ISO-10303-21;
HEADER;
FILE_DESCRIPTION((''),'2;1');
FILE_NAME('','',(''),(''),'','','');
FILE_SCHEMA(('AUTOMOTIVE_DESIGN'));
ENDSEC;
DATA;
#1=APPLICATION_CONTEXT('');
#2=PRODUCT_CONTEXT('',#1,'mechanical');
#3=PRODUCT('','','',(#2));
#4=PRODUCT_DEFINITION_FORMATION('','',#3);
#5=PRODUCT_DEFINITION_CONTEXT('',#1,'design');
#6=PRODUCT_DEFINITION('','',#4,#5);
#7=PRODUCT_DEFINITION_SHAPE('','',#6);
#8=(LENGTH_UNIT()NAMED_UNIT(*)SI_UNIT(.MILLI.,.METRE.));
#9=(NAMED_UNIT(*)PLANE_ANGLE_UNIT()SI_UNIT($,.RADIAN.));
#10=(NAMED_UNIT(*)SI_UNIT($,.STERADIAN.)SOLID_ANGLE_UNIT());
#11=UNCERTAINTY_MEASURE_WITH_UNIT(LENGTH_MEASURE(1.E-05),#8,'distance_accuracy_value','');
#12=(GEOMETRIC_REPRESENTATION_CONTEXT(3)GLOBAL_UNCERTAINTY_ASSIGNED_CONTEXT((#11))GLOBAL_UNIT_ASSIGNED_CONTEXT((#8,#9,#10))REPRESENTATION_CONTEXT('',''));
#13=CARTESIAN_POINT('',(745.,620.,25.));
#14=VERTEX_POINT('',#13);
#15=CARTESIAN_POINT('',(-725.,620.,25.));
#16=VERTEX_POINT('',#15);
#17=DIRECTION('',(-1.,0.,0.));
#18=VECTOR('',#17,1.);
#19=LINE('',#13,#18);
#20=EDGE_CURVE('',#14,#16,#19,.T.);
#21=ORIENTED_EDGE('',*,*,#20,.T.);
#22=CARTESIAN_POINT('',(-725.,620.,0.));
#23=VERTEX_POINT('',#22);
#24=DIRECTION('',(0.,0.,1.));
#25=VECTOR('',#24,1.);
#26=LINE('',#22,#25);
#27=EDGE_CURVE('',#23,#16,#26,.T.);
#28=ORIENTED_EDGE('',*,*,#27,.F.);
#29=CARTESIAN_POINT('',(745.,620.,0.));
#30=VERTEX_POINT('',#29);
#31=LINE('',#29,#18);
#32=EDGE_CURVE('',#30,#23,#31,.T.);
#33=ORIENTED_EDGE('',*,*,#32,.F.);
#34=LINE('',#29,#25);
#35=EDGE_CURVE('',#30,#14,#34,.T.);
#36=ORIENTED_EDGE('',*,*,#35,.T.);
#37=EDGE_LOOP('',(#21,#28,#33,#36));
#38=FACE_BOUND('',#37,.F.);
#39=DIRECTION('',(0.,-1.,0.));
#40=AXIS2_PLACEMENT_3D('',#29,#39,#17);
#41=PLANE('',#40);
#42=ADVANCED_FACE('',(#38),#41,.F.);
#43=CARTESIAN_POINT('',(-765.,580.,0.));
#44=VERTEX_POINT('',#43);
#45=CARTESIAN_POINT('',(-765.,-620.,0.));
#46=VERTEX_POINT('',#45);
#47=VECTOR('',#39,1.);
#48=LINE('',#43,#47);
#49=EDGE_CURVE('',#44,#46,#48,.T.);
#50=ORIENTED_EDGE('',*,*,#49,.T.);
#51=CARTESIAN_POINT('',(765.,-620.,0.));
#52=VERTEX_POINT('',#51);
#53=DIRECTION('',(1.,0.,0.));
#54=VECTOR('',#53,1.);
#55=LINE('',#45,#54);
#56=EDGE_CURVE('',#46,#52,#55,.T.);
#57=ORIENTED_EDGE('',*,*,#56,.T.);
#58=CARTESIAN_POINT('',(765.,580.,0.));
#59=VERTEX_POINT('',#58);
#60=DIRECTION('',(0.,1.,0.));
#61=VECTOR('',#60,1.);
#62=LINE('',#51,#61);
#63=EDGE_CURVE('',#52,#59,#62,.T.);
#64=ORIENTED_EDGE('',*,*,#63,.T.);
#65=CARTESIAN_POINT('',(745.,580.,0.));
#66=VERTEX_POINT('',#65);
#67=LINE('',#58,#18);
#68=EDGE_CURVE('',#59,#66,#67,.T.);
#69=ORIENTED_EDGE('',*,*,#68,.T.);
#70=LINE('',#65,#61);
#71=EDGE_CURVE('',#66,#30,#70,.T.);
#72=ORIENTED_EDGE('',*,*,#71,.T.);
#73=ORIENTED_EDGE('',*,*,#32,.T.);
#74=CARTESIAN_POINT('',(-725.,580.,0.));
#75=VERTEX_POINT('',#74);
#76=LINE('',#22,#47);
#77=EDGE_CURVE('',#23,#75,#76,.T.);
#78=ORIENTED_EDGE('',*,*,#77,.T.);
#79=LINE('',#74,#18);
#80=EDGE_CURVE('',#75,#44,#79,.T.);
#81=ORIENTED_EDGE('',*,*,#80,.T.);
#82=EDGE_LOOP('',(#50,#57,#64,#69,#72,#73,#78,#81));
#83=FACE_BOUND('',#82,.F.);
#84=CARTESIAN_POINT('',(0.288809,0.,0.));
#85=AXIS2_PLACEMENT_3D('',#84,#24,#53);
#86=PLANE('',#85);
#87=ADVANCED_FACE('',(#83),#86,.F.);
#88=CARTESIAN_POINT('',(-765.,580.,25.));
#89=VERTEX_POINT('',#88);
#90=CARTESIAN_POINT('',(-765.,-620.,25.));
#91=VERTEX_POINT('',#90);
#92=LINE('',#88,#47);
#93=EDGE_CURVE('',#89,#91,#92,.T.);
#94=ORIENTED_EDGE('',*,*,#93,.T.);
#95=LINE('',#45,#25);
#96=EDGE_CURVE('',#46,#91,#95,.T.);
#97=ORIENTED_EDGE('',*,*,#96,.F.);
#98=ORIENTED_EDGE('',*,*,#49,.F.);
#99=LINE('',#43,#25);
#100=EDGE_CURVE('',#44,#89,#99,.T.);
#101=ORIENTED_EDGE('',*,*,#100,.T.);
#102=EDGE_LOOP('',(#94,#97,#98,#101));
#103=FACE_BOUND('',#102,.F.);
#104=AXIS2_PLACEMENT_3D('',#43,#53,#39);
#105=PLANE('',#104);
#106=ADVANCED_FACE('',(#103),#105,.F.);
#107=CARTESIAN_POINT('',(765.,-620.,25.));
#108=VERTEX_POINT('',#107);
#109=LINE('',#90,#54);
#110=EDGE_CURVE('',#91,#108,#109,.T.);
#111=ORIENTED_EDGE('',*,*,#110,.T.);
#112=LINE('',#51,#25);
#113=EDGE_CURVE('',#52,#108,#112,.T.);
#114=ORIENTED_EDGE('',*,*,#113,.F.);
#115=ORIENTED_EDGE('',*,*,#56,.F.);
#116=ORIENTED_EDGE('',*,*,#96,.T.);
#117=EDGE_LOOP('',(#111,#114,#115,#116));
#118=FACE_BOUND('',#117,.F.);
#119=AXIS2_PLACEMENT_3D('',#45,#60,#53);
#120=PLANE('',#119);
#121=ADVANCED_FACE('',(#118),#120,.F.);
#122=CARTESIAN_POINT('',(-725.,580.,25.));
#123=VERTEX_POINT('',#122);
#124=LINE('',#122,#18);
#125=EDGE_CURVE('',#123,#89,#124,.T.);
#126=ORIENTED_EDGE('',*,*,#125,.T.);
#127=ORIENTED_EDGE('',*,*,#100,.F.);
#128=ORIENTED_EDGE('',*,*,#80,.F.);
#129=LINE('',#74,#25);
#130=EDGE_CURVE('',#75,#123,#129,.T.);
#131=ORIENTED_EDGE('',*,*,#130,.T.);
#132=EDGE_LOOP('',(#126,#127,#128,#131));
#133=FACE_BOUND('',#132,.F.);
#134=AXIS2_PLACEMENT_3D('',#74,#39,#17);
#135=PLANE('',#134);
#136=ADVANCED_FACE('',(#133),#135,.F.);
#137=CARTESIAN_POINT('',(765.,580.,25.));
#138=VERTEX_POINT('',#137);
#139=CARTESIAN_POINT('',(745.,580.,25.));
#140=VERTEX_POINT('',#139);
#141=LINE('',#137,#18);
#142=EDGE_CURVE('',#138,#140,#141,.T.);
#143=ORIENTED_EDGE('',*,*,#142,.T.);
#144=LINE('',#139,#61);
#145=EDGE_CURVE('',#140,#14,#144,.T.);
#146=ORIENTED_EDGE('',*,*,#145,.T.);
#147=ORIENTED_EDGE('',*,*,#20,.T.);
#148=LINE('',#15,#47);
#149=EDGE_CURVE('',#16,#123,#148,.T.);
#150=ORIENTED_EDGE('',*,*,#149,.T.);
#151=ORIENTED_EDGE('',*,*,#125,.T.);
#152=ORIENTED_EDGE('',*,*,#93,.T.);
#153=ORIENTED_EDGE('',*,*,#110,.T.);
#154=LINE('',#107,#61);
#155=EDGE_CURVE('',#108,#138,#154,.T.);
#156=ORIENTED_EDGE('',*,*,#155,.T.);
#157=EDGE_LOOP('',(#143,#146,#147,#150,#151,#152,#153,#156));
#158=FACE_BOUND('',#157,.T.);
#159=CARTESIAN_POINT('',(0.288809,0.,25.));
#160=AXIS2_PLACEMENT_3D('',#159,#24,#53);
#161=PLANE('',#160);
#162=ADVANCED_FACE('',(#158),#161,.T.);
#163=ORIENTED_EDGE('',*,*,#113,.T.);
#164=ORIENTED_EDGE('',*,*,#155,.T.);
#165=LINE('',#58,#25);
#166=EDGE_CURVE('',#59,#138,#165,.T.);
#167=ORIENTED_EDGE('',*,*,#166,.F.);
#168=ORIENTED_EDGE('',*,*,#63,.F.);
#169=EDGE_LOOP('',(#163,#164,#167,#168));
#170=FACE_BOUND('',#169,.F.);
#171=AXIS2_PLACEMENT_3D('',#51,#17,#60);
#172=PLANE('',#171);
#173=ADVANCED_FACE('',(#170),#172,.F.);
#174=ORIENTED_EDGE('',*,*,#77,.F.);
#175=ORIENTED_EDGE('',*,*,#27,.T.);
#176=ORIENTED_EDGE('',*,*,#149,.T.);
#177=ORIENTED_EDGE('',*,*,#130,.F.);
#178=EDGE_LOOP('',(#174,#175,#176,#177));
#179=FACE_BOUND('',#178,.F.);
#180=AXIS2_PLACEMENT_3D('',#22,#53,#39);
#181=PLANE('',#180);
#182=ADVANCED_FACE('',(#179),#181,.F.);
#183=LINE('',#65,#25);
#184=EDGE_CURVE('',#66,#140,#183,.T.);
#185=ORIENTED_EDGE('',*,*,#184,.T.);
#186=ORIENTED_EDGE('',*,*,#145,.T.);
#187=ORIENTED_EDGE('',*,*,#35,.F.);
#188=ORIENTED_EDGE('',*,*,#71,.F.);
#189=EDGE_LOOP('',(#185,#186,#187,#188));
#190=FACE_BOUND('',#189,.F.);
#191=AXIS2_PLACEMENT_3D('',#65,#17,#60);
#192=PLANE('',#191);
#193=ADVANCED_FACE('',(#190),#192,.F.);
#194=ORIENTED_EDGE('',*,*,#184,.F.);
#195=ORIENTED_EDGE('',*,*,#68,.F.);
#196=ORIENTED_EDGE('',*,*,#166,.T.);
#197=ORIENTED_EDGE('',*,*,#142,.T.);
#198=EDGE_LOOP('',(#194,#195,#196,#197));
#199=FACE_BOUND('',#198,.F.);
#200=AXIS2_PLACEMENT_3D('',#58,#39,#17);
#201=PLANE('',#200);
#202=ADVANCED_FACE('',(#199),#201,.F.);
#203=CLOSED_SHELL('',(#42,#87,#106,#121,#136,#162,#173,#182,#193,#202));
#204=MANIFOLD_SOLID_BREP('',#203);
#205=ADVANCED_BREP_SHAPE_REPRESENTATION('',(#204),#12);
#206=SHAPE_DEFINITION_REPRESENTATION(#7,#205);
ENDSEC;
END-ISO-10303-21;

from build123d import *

# Parameters (mm, degrees)
F0_W     = 40
F0_H     = 40
F0_W_2   = 20
F1_DEPTH = 25


with BuildPart() as f1:
    # F0 (on Top) → F1 (new body)
    with BuildSketch(Plane.XY):
        Polygon((745, 580), (745, 620), (-725, 620), (-725, 580), (-765, 580), (-765, -580), (-725, -580), (-725, -620), (745, -620), (745, -580), (765, -580), (765, 580), align=None)
        with Locations((-745, -600)):
            Rectangle(F0_W, F0_H)
        with Locations((755, -600)):
            Rectangle(F0_W_2, F0_H)
    extrude(amount=F1_DEPTH)


solid = f1.part
